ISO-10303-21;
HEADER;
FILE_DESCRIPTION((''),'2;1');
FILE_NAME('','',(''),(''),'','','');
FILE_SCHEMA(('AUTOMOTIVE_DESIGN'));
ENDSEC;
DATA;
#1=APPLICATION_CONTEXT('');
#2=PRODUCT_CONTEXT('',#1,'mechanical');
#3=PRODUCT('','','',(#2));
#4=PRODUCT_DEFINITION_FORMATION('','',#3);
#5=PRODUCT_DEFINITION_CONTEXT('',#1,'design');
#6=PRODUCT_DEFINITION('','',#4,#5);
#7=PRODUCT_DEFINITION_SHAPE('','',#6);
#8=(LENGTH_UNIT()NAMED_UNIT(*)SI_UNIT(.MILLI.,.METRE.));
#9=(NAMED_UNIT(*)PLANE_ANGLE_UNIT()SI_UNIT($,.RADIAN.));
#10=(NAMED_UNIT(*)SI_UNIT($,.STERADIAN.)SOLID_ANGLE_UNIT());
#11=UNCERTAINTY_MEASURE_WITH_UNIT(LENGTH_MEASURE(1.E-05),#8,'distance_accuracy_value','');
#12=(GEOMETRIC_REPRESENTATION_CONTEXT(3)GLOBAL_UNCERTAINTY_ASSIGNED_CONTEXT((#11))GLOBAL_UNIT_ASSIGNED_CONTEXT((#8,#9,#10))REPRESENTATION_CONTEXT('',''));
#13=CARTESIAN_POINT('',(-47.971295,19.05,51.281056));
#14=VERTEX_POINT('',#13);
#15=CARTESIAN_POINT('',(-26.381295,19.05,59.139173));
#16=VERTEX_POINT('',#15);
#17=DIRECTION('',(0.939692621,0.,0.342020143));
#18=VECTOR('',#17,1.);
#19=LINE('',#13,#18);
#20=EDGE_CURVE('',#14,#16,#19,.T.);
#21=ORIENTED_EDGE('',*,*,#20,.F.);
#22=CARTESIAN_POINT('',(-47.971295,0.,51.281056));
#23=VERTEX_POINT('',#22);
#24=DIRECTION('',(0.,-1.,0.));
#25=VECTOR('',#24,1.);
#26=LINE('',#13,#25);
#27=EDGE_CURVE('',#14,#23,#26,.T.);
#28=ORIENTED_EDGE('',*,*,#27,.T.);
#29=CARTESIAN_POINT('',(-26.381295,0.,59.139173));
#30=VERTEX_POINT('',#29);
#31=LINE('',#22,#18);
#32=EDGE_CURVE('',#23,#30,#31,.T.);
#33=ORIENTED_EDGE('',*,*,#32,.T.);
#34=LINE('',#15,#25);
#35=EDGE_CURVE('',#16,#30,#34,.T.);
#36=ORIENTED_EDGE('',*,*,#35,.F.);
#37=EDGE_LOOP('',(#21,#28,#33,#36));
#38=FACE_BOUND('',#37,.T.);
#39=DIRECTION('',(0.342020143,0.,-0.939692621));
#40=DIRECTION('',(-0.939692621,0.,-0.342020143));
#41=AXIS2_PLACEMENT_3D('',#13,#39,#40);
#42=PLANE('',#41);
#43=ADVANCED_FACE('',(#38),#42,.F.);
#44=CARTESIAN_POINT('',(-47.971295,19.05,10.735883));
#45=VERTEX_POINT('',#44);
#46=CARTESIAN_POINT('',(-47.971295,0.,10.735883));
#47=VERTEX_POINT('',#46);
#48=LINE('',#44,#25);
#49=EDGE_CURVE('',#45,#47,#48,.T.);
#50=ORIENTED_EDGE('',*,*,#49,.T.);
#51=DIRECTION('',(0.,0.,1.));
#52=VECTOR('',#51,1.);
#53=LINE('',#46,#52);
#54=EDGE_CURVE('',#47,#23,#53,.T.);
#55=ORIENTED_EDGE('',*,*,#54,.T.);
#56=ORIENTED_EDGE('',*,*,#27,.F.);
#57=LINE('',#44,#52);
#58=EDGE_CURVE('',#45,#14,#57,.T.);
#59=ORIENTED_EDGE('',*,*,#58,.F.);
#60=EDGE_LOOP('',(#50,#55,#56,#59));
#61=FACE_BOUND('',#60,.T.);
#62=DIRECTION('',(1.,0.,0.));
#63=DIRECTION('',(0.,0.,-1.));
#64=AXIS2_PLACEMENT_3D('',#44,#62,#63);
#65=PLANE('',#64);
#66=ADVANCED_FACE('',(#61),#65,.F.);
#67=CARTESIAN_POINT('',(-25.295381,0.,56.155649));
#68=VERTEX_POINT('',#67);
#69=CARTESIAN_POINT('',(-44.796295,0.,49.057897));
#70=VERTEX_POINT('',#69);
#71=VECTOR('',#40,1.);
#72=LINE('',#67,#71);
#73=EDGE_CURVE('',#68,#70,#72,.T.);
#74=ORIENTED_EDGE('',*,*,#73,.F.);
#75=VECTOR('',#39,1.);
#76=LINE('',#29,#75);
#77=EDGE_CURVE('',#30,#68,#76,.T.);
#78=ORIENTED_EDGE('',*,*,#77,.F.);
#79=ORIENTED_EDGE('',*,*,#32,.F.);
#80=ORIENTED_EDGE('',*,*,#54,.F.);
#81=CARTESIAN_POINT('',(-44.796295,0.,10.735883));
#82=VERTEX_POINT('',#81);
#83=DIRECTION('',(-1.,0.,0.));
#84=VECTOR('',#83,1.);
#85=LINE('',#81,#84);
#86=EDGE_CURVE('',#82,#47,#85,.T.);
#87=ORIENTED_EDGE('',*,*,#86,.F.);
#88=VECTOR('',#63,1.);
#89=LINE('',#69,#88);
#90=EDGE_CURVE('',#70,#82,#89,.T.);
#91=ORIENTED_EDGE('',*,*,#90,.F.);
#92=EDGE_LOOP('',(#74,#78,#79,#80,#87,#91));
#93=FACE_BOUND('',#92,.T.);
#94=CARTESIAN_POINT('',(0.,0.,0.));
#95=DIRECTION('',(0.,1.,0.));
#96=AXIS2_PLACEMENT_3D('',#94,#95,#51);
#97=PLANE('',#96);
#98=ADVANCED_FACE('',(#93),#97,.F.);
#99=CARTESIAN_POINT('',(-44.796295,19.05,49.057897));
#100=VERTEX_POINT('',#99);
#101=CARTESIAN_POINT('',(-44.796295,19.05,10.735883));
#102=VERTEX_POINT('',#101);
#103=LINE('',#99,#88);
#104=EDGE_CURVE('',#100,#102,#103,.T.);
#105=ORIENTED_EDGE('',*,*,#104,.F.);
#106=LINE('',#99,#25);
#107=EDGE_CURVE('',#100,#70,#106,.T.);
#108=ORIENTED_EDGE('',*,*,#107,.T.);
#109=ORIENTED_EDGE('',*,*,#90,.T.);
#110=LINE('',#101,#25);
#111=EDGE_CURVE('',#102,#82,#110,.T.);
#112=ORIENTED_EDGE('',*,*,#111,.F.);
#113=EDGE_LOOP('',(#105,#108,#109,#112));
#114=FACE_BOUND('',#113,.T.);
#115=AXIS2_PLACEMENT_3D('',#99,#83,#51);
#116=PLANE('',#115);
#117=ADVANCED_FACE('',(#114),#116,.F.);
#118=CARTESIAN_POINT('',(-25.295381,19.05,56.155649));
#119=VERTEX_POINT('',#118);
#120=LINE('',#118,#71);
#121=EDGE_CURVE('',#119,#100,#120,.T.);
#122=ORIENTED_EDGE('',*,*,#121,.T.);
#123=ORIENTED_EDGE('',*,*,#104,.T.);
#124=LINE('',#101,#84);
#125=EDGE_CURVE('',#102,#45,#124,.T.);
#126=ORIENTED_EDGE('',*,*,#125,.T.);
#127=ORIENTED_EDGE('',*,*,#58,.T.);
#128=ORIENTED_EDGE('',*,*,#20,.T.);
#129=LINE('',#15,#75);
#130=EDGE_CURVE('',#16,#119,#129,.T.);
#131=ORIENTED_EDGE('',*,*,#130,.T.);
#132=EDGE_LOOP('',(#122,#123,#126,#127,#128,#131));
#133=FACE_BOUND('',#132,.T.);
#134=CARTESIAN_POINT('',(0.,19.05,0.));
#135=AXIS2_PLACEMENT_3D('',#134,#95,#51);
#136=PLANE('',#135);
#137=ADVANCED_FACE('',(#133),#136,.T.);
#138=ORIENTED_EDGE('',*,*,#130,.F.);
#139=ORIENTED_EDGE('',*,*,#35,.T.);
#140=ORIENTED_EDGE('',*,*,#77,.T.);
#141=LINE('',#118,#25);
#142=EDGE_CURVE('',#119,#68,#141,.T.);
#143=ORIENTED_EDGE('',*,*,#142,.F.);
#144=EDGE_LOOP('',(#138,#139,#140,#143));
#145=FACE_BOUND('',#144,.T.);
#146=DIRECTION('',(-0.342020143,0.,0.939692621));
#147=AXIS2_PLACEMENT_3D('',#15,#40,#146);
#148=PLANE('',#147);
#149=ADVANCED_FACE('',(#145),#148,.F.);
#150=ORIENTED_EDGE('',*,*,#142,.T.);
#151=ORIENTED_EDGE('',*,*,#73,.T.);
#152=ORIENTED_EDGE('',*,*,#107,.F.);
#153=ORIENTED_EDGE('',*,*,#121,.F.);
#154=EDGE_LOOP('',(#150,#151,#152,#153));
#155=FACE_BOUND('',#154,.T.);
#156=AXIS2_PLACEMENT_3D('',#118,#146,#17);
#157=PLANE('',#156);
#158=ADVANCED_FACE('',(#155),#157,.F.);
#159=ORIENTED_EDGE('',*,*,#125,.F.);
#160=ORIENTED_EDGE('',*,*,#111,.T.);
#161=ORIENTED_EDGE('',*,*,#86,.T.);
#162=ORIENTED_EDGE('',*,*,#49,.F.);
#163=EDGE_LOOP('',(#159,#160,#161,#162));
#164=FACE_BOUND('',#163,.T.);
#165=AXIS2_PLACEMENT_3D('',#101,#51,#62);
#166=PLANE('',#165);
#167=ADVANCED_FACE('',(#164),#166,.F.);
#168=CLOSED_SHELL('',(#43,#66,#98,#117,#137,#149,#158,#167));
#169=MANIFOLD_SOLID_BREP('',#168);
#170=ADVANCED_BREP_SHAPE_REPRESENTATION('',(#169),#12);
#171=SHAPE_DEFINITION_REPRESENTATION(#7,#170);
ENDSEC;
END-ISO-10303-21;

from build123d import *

# Parameters (mm, degrees)
BOSS_EXTRUDE1_DEPTH = 19.05


with BuildPart() as part:
    # Sketch1 → Boss-Extrude1 (new body)
    with BuildSketch(Plane(origin=(0, 0, 0), x_dir=(1, 0, 0), z_dir=(0, 1, 0))):
        Polygon((-47.971294585, -10.735882573), (-47.971294585, -51.281055704), (-26.381294585, -59.139173062), (-25.29538063, -56.155648991), (-44.796294585, -49.05789677), (-44.796294585, -10.735882573), align=None)
    extrude(amount=BOSS_EXTRUDE1_DEPTH)


solid = part.part
